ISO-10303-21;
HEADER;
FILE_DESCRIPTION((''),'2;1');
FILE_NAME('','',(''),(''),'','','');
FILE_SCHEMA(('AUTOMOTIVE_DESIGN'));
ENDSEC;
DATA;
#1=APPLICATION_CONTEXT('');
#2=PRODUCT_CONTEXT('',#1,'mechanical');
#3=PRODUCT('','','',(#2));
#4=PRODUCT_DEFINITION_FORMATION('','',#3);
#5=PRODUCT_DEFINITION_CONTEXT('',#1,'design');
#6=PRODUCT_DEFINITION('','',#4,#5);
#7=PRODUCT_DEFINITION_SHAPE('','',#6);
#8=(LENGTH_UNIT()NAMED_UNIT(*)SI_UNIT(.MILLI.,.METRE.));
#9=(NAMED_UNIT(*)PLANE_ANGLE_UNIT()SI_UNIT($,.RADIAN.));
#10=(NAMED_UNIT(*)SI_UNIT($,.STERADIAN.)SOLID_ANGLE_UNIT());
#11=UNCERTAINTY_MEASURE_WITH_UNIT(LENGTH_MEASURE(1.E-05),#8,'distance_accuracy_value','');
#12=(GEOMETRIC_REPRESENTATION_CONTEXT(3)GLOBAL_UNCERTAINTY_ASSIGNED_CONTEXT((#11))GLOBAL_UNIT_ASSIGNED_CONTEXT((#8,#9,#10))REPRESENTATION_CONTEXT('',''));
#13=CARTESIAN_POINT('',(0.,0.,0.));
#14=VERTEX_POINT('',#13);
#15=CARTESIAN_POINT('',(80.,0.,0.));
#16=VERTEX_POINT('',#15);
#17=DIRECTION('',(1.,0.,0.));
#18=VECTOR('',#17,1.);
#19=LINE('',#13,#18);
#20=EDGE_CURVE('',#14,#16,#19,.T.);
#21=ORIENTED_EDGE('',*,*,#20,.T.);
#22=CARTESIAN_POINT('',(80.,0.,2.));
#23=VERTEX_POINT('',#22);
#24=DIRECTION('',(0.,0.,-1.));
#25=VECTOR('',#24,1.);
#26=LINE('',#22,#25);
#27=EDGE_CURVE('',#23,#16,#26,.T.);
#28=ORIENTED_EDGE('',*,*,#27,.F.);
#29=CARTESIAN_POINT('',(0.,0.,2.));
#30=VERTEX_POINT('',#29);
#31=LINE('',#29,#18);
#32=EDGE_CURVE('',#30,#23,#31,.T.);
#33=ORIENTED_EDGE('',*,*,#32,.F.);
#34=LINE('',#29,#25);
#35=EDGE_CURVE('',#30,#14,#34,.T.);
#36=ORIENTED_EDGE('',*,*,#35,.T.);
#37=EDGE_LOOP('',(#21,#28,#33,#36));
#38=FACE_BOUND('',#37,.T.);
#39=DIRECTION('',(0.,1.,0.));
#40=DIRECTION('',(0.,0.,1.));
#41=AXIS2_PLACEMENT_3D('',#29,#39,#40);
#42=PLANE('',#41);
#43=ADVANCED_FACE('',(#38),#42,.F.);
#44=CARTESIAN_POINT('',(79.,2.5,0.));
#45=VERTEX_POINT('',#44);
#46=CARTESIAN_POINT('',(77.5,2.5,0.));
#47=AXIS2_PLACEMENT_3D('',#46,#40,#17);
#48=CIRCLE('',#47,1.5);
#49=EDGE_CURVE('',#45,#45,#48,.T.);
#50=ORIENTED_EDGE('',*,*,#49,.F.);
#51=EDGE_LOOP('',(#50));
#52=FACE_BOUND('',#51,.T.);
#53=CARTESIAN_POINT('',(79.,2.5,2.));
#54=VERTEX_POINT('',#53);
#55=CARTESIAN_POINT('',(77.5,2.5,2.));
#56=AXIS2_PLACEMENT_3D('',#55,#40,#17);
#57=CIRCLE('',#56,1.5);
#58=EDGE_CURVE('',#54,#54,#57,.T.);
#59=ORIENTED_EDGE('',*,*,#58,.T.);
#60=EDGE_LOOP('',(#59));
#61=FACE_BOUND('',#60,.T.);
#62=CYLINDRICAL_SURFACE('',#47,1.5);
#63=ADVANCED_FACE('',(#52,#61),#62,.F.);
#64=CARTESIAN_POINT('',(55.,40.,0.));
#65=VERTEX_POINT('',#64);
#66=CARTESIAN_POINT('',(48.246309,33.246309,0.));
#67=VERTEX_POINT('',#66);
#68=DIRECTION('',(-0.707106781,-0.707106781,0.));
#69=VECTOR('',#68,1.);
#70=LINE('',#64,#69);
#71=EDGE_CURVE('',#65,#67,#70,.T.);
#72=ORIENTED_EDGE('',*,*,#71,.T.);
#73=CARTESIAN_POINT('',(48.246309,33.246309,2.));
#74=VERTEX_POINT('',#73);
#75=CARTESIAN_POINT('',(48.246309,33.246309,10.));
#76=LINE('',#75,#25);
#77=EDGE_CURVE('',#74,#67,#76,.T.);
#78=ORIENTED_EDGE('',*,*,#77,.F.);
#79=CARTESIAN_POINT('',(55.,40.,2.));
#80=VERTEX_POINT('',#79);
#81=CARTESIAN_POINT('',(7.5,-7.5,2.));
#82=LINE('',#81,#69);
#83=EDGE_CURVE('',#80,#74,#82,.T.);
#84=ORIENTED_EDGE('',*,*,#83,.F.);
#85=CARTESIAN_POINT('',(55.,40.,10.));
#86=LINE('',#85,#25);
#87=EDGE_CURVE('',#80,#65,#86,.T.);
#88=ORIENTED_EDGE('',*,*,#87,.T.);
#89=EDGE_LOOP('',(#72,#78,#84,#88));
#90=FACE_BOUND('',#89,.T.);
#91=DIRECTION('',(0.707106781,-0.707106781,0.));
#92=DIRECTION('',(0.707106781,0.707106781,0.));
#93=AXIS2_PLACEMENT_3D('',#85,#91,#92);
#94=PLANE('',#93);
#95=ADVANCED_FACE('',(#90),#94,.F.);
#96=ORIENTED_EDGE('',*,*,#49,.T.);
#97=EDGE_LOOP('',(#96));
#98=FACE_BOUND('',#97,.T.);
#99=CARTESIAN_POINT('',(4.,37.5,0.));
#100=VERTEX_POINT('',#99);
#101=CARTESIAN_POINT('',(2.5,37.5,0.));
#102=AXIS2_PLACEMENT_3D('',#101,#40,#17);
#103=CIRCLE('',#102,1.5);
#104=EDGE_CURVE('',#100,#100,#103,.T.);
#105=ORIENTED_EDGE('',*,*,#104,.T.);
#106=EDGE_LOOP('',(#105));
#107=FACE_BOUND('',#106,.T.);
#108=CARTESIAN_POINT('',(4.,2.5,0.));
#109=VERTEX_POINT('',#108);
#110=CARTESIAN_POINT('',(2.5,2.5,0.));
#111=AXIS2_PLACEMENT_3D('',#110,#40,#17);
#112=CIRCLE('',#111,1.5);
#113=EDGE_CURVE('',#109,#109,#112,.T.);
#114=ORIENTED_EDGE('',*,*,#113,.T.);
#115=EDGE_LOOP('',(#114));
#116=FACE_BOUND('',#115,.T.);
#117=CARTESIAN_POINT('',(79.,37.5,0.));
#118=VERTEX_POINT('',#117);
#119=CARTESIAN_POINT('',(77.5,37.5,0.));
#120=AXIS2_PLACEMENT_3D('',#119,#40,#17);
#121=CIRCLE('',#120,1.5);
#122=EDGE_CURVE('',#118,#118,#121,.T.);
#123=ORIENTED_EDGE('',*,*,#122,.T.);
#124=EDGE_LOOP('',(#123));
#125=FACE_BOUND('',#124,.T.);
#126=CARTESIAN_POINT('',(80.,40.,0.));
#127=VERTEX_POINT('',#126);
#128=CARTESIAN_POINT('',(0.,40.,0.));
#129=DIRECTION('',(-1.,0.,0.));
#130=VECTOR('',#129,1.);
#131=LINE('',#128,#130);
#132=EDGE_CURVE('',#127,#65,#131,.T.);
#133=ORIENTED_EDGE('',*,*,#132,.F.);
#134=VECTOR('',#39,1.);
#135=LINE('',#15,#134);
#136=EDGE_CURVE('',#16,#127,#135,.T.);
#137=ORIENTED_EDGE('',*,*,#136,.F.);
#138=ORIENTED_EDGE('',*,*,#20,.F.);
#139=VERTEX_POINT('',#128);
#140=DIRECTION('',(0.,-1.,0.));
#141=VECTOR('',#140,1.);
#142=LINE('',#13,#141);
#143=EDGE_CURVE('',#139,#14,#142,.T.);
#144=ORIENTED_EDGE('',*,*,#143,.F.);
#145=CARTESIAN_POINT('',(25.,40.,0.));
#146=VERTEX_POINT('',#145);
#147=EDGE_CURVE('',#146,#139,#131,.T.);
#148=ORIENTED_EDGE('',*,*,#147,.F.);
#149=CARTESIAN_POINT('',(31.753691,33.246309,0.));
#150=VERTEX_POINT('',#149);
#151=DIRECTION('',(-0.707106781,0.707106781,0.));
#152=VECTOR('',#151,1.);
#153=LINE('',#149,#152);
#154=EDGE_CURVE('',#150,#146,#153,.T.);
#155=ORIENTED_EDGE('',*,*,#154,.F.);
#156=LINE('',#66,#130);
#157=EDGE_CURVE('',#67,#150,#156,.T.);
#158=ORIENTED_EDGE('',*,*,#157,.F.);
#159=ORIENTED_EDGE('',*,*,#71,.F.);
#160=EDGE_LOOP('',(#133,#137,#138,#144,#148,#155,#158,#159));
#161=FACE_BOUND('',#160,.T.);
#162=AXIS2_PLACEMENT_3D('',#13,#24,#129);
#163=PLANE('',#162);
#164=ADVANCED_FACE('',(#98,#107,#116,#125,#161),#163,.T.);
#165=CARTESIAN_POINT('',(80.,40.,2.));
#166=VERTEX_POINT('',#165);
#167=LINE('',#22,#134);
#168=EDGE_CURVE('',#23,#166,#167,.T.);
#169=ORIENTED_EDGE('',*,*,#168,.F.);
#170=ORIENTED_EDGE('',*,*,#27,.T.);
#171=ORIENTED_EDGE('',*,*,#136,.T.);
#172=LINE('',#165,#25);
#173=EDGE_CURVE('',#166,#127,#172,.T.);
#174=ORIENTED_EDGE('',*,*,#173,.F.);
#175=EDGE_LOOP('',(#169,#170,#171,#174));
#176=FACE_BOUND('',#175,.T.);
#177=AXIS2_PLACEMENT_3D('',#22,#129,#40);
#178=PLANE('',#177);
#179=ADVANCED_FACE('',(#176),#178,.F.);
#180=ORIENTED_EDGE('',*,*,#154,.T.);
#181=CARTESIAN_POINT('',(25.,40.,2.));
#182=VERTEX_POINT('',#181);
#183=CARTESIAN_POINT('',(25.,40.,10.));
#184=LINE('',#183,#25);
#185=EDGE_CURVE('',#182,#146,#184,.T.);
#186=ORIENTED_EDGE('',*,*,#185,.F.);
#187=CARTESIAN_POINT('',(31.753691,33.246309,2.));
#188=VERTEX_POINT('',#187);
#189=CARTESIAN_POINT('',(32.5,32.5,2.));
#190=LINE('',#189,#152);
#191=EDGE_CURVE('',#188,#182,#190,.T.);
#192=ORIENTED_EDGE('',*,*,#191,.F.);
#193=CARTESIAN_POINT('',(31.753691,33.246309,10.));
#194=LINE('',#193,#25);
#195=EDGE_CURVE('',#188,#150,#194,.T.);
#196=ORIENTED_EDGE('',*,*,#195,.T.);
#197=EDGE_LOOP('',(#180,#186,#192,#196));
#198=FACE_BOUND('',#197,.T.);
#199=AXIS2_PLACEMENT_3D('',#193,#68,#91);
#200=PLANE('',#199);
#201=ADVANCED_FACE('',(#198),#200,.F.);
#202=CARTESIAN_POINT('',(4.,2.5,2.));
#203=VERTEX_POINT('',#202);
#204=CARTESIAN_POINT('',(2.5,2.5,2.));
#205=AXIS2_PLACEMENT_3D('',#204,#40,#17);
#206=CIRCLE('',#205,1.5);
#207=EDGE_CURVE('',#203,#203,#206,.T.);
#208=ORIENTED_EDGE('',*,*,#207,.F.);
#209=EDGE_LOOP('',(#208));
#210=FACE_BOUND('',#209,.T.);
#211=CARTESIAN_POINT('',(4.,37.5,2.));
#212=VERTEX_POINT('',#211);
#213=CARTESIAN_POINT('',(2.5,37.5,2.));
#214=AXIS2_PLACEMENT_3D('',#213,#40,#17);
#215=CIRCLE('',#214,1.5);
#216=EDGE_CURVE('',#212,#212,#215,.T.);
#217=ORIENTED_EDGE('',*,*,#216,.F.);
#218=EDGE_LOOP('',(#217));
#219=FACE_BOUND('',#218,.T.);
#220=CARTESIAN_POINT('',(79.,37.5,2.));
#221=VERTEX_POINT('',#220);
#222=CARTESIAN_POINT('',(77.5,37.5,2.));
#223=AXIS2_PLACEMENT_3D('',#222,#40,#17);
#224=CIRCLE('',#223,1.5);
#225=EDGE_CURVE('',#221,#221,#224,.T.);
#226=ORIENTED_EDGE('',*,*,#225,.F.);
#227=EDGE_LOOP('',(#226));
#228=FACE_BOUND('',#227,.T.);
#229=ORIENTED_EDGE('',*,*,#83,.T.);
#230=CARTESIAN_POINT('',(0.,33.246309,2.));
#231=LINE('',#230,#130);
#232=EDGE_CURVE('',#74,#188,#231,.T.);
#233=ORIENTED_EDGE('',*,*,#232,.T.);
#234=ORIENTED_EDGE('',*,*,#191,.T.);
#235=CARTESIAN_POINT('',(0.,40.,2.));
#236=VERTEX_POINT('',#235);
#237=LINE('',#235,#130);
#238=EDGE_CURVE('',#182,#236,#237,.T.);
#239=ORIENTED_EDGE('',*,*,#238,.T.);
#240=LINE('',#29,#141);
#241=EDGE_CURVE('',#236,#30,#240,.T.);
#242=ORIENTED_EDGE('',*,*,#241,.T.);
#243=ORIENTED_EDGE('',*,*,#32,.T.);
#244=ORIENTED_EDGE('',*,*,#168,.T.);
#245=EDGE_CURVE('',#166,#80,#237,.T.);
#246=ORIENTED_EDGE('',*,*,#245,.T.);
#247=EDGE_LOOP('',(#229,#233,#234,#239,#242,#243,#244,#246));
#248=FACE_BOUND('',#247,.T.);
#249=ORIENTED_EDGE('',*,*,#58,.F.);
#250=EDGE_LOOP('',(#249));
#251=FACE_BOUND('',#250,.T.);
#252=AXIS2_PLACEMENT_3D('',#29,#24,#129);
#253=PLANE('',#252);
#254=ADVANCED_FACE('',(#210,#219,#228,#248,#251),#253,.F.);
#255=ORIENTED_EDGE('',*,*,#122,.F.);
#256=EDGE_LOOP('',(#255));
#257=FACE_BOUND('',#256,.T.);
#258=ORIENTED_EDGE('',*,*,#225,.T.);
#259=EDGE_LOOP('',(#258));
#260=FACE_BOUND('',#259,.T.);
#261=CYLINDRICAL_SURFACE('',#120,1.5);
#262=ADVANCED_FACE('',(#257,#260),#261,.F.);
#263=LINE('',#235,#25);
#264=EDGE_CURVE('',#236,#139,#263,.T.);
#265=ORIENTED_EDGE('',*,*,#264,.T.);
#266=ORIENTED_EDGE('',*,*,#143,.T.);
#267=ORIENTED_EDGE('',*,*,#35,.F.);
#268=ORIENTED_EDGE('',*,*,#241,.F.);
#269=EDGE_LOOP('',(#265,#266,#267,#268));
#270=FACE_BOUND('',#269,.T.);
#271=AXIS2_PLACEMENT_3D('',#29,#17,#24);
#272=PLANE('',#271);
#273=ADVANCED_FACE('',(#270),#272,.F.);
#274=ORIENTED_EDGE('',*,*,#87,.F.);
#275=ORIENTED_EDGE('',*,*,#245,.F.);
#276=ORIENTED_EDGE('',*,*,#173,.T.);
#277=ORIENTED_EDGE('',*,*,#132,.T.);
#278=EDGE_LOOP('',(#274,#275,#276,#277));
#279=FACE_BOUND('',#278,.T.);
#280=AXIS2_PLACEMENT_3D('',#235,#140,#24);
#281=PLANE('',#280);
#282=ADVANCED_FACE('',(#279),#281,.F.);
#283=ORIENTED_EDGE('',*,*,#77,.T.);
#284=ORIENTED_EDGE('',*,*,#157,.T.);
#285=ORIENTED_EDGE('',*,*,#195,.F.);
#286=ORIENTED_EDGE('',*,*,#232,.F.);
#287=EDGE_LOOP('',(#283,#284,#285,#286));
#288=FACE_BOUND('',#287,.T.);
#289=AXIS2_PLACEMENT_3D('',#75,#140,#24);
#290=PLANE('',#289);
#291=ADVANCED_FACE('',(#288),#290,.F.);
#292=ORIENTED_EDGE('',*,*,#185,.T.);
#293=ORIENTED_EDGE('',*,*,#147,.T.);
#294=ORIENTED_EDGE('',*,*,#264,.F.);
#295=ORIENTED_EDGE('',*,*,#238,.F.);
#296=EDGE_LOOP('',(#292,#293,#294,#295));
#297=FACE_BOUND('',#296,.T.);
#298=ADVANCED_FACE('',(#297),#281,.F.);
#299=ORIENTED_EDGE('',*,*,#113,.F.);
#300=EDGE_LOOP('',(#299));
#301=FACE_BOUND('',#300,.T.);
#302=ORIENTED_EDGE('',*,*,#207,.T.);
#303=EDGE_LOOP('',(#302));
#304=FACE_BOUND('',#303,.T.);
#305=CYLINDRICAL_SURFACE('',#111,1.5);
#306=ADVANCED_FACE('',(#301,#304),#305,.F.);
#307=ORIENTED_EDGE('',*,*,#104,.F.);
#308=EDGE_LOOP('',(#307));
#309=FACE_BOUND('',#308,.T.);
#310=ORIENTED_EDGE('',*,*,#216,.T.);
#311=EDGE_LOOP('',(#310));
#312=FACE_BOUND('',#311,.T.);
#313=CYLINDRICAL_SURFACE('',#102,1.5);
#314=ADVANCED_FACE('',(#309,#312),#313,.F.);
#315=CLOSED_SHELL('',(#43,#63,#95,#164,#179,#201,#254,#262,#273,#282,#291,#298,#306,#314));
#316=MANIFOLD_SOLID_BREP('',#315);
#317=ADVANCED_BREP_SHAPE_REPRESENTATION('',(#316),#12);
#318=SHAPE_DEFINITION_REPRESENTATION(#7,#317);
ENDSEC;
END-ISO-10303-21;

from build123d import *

# Parameters (mm, degrees)
ESQUISSE1_W             = 80
ESQUISSE1_H             = 40
BOSS_EXTRU_1_DEPTH      = 2
ESQUISSE2_R             = 1.5
ENL_V_MAT_EXTRU_1_DEPTH = 2
ENL_V_MAT_EXTRU_2_DEPTH = 10


with BuildPart() as part:
    # Esquisse1 → Boss.-Extru.1 (new body)
    with BuildSketch(Plane.XY):
        with Locations((40, 20)):
            Rectangle(ESQUISSE1_W, ESQUISSE1_H)
    extrude(amount=BOSS_EXTRU_1_DEPTH)

    # Esquisse2 → Enlèv. mat.-Extru.1 (cut)
    with BuildSketch(Plane.XY.offset(2)):
        with Locations((2.5, 37.5)):
            Circle(ESQUISSE2_R)
        with Locations((77.5, 37.5)):
            Circle(ESQUISSE2_R)
        with Locations((2.5, 2.5)):
            Circle(ESQUISSE2_R)
        with Locations((77.5, 2.5)):
            Circle(ESQUISSE2_R)
    extrude(amount=-ENL_V_MAT_EXTRU_1_DEPTH, mode=Mode.SUBTRACT)

    # Esquisse3 → Enlèv. mat.-Extru.2 (cut)
    with BuildSketch(Plane(origin=(0, 0, 0), x_dir=(-1, 0, 0), z_dir=(0, 0, -1))):
        Polygon((-25, 40), (-55, 40), (-48.246308582, 33.246308582), (-31.753691418, 33.246308582), align=None)
    extrude(amount=-ENL_V_MAT_EXTRU_2_DEPTH, mode=Mode.SUBTRACT)


solid = part.part
